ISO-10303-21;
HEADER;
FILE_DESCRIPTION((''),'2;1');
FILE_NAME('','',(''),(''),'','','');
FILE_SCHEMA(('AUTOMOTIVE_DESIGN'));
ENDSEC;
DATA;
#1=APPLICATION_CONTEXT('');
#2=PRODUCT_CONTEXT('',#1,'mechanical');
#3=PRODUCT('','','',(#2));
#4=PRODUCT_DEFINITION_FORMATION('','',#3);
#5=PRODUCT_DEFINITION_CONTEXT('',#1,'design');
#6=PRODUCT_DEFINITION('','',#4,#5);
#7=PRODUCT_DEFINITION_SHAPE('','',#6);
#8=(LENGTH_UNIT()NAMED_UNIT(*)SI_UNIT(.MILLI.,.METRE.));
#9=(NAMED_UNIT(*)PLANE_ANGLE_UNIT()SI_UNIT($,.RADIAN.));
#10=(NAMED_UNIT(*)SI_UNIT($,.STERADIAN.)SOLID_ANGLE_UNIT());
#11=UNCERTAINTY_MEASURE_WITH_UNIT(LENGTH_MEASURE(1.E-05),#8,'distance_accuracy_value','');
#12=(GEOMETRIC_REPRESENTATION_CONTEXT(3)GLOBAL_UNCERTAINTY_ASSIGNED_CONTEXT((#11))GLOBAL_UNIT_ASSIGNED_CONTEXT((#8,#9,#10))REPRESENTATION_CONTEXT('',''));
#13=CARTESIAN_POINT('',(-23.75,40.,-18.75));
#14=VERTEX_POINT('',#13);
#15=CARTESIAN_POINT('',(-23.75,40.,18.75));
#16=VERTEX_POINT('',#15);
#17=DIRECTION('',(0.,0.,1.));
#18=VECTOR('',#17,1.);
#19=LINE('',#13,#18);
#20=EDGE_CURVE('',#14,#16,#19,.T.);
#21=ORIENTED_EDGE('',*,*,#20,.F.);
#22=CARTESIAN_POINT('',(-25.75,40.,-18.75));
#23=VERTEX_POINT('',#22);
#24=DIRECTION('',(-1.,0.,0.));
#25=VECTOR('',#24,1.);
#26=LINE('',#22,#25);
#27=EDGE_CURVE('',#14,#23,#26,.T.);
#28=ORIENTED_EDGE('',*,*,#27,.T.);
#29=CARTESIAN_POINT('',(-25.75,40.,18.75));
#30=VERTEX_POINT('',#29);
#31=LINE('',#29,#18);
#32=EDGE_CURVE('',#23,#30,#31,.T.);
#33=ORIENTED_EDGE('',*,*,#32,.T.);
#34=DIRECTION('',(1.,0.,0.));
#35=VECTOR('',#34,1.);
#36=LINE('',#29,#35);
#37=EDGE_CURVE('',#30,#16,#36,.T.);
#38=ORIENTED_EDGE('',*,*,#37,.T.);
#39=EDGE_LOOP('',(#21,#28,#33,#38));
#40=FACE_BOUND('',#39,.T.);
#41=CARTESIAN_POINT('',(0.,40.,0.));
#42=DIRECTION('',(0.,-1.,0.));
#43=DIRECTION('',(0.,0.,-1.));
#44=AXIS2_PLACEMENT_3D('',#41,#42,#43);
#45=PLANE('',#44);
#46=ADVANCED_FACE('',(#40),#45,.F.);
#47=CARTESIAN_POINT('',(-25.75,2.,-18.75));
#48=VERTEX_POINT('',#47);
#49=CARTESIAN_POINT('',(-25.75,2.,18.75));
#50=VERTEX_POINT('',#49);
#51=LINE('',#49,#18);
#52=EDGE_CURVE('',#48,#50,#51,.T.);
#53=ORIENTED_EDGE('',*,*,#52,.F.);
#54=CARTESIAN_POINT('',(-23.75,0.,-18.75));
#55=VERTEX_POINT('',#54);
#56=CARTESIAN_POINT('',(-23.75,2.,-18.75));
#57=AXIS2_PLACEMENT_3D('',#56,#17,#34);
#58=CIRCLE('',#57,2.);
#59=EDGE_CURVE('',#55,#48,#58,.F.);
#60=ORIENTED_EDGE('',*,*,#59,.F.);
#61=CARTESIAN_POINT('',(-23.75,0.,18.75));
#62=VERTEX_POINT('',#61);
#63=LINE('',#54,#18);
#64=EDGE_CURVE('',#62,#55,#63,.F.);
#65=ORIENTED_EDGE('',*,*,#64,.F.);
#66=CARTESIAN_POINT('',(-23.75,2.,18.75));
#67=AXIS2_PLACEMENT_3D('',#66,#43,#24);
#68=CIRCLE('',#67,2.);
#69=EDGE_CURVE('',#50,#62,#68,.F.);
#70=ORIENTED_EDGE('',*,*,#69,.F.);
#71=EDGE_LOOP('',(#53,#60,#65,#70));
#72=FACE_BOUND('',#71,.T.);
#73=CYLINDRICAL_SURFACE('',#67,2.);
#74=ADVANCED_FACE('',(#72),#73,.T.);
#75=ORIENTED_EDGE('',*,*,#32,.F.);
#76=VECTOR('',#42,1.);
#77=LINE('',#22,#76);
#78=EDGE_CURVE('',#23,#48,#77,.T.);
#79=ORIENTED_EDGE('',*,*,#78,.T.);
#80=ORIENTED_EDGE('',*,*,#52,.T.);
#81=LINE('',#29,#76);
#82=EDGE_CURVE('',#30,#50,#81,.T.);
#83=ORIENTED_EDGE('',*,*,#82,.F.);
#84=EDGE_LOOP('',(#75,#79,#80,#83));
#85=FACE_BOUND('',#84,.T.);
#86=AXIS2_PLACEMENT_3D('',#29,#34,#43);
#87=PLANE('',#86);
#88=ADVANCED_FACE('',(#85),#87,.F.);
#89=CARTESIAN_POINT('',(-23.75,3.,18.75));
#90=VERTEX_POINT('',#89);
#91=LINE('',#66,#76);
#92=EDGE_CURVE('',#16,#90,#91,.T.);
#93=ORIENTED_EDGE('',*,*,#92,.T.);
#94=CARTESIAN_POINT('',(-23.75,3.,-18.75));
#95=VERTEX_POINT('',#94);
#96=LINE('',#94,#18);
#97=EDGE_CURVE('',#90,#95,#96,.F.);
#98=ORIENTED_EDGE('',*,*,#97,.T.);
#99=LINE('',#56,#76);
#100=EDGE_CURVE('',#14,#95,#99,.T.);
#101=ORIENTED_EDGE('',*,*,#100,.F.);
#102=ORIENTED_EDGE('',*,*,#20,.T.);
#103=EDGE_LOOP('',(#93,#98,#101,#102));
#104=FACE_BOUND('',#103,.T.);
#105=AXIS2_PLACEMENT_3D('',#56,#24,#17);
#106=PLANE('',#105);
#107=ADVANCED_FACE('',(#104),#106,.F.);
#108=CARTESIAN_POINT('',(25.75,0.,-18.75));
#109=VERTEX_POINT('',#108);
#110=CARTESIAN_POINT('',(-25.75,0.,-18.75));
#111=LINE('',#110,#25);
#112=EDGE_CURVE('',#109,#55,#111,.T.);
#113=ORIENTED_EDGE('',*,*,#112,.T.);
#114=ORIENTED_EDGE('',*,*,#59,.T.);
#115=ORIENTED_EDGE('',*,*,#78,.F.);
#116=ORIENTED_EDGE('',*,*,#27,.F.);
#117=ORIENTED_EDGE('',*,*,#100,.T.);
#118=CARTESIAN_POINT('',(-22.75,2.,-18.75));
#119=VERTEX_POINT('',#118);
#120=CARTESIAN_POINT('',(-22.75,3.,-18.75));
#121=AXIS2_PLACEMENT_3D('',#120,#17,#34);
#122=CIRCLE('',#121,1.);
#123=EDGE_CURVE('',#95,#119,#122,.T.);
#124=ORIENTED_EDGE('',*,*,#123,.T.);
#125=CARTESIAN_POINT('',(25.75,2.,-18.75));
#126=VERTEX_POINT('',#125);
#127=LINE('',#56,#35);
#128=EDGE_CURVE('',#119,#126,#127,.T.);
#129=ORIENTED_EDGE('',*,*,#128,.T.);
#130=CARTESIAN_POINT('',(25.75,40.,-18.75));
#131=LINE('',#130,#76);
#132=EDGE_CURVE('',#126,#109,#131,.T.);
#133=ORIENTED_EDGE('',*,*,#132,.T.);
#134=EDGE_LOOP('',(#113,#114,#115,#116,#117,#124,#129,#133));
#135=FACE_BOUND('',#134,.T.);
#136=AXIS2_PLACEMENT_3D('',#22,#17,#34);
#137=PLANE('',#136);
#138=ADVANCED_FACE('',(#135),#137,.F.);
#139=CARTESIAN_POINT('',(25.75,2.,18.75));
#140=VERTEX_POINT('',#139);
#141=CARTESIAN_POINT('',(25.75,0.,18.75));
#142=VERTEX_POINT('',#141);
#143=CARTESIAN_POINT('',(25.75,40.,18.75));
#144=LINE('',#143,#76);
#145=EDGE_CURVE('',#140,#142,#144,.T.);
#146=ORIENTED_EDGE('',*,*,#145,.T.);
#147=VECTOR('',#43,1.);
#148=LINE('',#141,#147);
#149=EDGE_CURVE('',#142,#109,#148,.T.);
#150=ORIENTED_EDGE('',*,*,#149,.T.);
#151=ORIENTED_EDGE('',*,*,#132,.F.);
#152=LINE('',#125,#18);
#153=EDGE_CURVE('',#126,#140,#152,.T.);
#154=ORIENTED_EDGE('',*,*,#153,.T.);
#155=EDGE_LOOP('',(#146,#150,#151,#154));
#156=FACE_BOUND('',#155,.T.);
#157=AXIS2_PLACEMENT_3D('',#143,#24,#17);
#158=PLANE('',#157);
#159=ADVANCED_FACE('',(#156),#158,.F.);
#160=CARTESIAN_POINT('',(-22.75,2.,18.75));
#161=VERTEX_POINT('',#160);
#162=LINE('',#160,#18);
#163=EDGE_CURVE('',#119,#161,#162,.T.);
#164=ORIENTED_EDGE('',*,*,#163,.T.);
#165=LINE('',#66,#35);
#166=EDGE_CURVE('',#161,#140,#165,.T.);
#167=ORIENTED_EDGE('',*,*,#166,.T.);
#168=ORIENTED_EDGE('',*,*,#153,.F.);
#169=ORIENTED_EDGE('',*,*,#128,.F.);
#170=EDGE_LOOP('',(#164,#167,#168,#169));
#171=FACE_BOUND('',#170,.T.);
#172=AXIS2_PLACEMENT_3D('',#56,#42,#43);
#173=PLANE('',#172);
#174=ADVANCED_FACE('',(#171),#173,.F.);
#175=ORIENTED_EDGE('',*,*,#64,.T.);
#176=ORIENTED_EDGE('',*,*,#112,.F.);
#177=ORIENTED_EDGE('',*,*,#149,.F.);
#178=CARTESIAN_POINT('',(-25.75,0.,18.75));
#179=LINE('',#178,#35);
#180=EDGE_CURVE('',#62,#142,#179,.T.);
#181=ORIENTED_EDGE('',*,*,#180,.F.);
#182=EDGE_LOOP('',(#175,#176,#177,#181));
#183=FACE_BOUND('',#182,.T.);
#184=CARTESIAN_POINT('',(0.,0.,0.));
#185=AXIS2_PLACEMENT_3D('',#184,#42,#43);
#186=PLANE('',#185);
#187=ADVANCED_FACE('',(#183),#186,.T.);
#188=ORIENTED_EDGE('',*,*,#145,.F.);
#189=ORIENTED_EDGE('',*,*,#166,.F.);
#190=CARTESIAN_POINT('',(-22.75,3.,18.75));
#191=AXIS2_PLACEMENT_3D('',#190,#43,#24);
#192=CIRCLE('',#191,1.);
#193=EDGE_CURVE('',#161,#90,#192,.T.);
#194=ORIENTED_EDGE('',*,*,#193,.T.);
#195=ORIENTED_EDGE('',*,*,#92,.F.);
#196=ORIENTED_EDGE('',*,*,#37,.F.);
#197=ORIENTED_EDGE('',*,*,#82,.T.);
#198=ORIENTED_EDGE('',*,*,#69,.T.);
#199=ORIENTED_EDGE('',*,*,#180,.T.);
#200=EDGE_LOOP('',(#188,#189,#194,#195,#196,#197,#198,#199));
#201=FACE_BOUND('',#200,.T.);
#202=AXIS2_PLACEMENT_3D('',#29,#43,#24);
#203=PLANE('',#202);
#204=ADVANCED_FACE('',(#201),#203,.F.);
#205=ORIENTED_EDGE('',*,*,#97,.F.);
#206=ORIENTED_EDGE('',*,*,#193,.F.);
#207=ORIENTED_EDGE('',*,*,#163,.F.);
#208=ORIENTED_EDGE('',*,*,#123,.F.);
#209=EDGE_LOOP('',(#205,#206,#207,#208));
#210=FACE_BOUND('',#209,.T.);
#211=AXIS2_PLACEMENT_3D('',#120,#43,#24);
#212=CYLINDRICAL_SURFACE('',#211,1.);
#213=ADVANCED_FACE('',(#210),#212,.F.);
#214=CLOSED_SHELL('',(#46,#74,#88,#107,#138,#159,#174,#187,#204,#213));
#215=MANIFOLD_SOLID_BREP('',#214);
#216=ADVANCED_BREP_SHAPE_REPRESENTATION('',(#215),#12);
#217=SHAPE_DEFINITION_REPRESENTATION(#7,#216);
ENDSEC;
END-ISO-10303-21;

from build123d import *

# Parameters (mm, degrees)
SKETCH1_W           = 51.5
SKETCH1_H           = 37.5
BOSS_EXTRUDE1_DEPTH = 40
SKETCH2_W           = 49.5
SKETCH2_H           = 38
CUT_EXTRUDE1_DEPTH  = 38.5
FILLET1_R           = 1
FILLET2_R           = 2


with BuildPart() as part:
    # Sketch1 → Boss-Extrude1 (new body)
    with BuildSketch(Plane(origin=(0, 0, 0), x_dir=(1, 0, 0), z_dir=(0, 1, 0))):
        Rectangle(SKETCH1_W, SKETCH1_H)
    extrude(amount=BOSS_EXTRUDE1_DEPTH)

    # Sketch2 → Cut-Extrude1 (cut, through all)
    with BuildSketch(Plane.XY.offset(18.75)):
        with Locations((1, 21)):
            Rectangle(SKETCH2_W, SKETCH2_H)
    extrude(amount=-CUT_EXTRUDE1_DEPTH, mode=Mode.SUBTRACT)

    # Fillet1
    fillet1_edges = [part.edges().sort_by_distance(p)[0] for p in [
        (-23.75, 2, 0),
    ]]
    fillet(fillet1_edges, radius=FILLET1_R)

    # Fillet2
    fillet2_edges = [part.edges().sort_by_distance(p)[0] for p in [
        (-25.75, 0, 0),
    ]]
    fillet(fillet2_edges, radius=FILLET2_R)


solid = part.part
